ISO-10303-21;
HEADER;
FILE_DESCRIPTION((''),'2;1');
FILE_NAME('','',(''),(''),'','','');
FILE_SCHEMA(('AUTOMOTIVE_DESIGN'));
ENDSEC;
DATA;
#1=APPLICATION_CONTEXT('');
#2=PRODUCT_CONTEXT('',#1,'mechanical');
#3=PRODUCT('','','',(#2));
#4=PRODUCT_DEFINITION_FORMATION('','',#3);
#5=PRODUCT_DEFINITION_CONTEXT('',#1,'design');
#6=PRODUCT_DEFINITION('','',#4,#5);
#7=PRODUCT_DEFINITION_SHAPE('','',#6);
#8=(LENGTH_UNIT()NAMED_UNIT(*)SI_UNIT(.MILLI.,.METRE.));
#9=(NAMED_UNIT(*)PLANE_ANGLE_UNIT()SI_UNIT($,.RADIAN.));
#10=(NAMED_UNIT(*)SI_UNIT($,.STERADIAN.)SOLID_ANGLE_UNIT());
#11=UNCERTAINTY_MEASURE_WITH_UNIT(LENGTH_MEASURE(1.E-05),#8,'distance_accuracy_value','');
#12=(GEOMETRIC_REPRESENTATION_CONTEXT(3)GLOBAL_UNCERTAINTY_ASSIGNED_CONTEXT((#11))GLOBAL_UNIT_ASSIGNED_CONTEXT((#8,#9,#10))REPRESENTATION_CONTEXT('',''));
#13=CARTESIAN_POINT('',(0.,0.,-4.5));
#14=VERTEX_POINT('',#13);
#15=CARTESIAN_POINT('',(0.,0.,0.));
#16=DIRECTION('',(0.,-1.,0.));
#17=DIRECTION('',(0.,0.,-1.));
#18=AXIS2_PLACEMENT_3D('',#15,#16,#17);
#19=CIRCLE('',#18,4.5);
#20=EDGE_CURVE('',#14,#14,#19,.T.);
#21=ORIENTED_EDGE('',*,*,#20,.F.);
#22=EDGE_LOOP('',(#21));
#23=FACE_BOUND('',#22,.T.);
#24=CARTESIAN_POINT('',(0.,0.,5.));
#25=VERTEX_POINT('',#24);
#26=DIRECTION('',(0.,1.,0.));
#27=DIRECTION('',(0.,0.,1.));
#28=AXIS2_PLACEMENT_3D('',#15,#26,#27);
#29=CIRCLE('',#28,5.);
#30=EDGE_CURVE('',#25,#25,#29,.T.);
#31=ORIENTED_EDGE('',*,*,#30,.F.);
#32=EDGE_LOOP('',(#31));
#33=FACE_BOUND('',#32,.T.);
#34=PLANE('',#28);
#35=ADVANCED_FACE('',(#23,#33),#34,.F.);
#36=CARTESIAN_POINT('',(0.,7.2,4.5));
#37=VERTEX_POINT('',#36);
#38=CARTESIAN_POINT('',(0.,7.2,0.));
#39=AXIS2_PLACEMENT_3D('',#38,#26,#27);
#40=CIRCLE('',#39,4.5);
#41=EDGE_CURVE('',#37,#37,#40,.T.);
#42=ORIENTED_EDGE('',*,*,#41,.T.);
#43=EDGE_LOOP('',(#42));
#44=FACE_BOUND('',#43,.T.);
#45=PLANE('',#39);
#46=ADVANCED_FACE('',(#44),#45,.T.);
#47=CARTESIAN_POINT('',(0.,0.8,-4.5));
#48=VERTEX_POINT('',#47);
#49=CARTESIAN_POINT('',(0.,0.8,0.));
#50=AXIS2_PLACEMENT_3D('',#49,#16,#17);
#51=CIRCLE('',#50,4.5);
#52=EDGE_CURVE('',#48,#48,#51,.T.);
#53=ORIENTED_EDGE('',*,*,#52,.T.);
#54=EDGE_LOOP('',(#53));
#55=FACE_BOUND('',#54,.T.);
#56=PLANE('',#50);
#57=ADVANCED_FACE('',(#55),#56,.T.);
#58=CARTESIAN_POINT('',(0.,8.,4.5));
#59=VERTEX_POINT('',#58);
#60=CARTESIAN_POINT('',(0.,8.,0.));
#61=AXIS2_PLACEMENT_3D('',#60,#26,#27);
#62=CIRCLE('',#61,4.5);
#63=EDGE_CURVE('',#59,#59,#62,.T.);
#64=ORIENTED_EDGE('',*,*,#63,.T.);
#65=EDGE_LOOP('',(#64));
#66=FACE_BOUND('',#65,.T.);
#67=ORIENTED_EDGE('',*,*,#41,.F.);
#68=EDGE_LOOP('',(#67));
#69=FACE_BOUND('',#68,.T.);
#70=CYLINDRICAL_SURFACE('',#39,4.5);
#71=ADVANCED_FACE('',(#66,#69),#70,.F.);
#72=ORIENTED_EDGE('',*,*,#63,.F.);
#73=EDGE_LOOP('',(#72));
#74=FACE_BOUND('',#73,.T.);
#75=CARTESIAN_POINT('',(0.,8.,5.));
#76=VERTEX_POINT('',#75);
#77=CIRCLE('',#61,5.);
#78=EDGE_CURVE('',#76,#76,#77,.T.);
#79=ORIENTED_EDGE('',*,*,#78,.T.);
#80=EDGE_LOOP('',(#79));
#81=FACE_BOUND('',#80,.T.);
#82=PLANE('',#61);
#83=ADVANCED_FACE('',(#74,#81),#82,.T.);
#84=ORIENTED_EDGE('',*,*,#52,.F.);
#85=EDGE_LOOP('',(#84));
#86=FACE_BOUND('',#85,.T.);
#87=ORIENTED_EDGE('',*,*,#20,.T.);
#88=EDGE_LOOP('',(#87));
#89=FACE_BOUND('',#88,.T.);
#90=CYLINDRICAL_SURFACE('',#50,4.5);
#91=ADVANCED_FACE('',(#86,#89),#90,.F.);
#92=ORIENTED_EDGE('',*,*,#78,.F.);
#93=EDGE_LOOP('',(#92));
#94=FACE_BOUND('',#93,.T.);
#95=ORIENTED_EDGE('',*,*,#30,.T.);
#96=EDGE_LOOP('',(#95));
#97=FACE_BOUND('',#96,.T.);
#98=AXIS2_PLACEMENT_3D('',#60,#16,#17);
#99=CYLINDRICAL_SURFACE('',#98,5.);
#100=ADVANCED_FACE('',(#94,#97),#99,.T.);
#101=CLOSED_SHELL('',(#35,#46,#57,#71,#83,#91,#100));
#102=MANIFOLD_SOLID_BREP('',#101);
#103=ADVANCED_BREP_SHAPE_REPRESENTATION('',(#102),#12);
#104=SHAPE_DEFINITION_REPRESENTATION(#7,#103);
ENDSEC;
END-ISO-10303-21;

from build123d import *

# Parameters (mm, degrees)
SCHIZZO1_R                   = 5
ESTRUSIONE_ESTRUSIONE1_DEPTH = 8
SCHIZZO2_R                   = 4.5
TAGLIO_ESTRUSIONE1_DEPTH     = 0.8
SCHIZZO3_R                   = 4.5
TAGLIO_ESTRUSIONE2_DEPTH     = 0.8


with BuildPart() as part:
    # Schizzo1 → Estrusione-Estrusione1 (new body)
    with BuildSketch(Plane(origin=(0, 0, 0), x_dir=(1, 0, 0), z_dir=(0, 1, 0))):
        Circle(SCHIZZO1_R)
    extrude(amount=ESTRUSIONE_ESTRUSIONE1_DEPTH)

    # Schizzo2 → Taglio-Estrusione1 (cut)
    with BuildSketch(Plane(origin=(0, 8, 0), x_dir=(1, 0, 0), z_dir=(0, 1, 0))):
        Circle(SCHIZZO2_R)
    extrude(amount=-TAGLIO_ESTRUSIONE1_DEPTH, mode=Mode.SUBTRACT)

    # Schizzo3 → Taglio-Estrusione2 (cut)
    with BuildSketch(Plane.XZ):
        Circle(SCHIZZO3_R)
    extrude(amount=-TAGLIO_ESTRUSIONE2_DEPTH, mode=Mode.SUBTRACT)


solid = part.part
